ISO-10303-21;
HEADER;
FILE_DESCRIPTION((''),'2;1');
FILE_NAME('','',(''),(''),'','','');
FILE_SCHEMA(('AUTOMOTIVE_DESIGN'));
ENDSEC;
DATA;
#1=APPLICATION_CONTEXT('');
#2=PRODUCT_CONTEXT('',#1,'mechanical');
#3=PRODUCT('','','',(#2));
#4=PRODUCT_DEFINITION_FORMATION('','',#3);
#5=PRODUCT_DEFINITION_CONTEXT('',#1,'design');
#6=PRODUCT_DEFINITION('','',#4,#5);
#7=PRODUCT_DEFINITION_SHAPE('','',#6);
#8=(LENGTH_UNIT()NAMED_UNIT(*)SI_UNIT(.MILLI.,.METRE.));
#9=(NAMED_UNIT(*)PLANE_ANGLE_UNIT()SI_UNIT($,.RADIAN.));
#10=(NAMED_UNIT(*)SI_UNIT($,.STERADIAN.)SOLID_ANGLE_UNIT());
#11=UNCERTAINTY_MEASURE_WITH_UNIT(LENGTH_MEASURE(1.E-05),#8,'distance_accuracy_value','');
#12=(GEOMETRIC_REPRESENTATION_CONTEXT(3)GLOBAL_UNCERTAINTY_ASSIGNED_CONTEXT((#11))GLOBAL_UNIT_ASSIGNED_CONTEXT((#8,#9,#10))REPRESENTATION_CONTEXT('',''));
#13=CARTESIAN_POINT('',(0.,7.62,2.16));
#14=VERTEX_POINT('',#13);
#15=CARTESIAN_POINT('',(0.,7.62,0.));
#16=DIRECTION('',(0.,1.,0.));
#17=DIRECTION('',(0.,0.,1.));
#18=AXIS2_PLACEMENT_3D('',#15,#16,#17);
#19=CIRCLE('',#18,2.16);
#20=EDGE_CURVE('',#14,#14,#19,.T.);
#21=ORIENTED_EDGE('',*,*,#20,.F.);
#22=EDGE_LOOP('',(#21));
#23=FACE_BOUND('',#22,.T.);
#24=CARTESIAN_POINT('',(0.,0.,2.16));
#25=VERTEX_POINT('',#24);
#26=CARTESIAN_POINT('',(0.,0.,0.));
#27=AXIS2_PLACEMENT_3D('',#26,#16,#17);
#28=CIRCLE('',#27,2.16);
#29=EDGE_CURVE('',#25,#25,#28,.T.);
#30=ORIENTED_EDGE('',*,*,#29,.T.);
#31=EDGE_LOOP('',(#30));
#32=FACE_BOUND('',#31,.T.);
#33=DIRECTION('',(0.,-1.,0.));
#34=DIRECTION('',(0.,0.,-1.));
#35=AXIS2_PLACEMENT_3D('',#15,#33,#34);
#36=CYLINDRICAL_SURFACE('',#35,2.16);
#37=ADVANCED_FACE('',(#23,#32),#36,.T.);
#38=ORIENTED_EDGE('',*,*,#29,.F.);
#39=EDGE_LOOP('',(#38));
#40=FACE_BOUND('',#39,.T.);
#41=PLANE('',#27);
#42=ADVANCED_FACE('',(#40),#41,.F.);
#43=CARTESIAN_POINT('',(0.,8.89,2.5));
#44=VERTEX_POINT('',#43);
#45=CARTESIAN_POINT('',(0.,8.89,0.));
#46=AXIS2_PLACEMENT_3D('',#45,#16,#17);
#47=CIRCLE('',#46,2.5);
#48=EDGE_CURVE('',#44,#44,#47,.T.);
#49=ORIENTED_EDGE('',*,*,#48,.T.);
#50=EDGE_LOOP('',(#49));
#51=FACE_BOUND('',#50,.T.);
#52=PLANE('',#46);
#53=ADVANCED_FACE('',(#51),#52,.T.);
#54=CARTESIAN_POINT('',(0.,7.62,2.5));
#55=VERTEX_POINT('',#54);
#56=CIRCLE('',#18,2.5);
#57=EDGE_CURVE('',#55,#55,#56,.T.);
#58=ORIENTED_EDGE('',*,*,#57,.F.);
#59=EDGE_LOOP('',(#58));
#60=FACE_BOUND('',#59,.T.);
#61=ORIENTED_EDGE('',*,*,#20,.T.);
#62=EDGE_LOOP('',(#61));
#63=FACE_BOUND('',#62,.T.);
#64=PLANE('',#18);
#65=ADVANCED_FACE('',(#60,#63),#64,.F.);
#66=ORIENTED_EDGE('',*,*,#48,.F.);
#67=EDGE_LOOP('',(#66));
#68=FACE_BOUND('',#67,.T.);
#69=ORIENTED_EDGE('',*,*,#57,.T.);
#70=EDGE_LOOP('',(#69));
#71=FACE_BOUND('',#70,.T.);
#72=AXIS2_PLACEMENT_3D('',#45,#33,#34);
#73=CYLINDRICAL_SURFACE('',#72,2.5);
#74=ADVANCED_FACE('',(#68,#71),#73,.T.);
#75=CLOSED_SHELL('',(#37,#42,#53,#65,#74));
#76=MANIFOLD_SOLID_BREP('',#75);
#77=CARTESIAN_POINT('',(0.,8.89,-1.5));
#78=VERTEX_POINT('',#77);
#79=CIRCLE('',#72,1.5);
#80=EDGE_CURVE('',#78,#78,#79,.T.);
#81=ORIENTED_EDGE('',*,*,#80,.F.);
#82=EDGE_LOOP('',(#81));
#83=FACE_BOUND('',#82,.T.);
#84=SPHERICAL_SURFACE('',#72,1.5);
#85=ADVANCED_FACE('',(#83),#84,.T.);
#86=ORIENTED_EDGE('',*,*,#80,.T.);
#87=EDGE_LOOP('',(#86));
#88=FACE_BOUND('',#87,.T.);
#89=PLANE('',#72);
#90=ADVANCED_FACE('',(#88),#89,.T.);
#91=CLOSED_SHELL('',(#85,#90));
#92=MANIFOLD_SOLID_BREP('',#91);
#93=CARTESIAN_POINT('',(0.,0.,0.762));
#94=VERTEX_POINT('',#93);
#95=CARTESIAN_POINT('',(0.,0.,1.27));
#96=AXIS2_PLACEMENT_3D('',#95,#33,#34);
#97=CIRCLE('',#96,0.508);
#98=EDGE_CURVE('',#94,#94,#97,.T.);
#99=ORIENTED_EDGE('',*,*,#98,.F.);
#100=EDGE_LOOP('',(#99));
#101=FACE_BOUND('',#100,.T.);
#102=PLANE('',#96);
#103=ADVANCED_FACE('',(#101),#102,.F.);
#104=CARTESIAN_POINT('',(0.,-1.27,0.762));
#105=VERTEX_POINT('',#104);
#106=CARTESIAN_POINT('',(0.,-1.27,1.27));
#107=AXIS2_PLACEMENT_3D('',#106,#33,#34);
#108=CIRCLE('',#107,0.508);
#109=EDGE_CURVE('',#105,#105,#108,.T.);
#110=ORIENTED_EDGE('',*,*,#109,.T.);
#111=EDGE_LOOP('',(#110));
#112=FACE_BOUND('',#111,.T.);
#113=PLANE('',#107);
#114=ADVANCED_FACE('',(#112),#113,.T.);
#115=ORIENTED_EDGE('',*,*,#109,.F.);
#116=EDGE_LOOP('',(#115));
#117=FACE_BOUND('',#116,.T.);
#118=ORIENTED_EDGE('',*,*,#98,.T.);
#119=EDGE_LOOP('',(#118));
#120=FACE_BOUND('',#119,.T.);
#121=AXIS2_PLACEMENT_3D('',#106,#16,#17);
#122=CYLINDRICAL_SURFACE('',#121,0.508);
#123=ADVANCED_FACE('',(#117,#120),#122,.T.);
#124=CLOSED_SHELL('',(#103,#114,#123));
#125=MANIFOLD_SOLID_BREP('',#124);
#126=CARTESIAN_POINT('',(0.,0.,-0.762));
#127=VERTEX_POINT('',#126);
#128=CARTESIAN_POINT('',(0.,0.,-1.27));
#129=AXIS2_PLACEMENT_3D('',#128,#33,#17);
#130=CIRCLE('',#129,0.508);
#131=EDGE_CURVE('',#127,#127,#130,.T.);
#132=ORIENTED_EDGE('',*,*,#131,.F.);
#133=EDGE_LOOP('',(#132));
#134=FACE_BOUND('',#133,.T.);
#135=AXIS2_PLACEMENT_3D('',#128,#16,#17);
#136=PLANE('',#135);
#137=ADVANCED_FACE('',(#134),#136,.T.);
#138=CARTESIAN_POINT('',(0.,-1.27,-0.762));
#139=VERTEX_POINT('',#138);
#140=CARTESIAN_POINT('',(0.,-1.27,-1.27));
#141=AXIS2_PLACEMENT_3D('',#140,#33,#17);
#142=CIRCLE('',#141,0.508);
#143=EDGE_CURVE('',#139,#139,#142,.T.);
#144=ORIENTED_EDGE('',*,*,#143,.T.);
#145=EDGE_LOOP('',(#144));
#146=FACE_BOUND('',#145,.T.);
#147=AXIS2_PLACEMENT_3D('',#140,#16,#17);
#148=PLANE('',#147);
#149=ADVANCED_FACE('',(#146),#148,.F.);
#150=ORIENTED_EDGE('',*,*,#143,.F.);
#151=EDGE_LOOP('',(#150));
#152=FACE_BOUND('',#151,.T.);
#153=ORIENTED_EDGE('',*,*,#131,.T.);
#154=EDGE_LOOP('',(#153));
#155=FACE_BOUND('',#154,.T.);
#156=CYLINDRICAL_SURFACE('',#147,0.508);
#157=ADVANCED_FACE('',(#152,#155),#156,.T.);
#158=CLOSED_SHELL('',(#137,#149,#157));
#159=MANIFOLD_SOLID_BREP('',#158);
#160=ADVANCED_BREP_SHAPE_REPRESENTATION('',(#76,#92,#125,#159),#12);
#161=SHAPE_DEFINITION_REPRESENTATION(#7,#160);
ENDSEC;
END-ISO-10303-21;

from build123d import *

# Parameters (mm, degrees)
SKETCH1_R             = 2.16
BOSS_EXTRUDE1_DEPTH   = 7.62
SKETCH2_R             = 2.5
BOSS_EXTRUDE2_DEPTH   = 1.27
REVOLVE1_ANGLE        = 180
SKETCH4_R             = 0.508
BOSS_EXTRUDE3_DEPTH   = 1.27
BOSS_EXTRUDE3_2_DEPTH = 1.27


with BuildPart() as part:
    # Sketch1 → Boss-Extrude1 (new body)
    with BuildSketch(Plane(origin=(0, 0, 0), x_dir=(1, 0, 0), z_dir=(0, 1, 0))):
        Circle(SKETCH1_R)
    extrude(amount=BOSS_EXTRUDE1_DEPTH)

    # Sketch2 → Boss-Extrude2 (add)
    with BuildSketch(Plane(origin=(0, 7.62, 0), x_dir=(1, 0, 0), z_dir=(0, 1, 0))):
        Circle(SKETCH2_R)
    extrude(amount=BOSS_EXTRUDE2_DEPTH)


with BuildPart() as body_2:
    # Sketch3 → Revolve1 (revolve)
    with BuildSketch(Plane(origin=(0, 8.89, 0), x_dir=(1, 0, 0), z_dir=(0, 1, 0))):
        with BuildLine():
            Line((1.5, 0), (-1.5, 0))
            ThreePointArc((-1.5, 0), (0, 1.5), (1.5, 0))
        make_face()
    revolve(axis=Axis((1.5, 8.89, 0), (1, 0, 0)), revolution_arc=REVOLVE1_ANGLE)


with BuildPart() as body_3:
    # Sketch4 → Boss-Extrude3 (new body)
    with BuildSketch(Plane.XZ):
        with Locations((0, 1.27)):
            Circle(SKETCH4_R)
    extrude(amount=BOSS_EXTRUDE3_DEPTH)


with BuildPart() as body_4:
    # Sketch4 → Boss-Extrude3 2 (new body)
    with BuildSketch(Plane.XZ):
        with Locations((0, -1.27)):
            Circle(SKETCH4_R)
    extrude(amount=BOSS_EXTRUDE3_2_DEPTH)


solid = Compound([part.part, body_2.part, body_3.part, body_4.part])
